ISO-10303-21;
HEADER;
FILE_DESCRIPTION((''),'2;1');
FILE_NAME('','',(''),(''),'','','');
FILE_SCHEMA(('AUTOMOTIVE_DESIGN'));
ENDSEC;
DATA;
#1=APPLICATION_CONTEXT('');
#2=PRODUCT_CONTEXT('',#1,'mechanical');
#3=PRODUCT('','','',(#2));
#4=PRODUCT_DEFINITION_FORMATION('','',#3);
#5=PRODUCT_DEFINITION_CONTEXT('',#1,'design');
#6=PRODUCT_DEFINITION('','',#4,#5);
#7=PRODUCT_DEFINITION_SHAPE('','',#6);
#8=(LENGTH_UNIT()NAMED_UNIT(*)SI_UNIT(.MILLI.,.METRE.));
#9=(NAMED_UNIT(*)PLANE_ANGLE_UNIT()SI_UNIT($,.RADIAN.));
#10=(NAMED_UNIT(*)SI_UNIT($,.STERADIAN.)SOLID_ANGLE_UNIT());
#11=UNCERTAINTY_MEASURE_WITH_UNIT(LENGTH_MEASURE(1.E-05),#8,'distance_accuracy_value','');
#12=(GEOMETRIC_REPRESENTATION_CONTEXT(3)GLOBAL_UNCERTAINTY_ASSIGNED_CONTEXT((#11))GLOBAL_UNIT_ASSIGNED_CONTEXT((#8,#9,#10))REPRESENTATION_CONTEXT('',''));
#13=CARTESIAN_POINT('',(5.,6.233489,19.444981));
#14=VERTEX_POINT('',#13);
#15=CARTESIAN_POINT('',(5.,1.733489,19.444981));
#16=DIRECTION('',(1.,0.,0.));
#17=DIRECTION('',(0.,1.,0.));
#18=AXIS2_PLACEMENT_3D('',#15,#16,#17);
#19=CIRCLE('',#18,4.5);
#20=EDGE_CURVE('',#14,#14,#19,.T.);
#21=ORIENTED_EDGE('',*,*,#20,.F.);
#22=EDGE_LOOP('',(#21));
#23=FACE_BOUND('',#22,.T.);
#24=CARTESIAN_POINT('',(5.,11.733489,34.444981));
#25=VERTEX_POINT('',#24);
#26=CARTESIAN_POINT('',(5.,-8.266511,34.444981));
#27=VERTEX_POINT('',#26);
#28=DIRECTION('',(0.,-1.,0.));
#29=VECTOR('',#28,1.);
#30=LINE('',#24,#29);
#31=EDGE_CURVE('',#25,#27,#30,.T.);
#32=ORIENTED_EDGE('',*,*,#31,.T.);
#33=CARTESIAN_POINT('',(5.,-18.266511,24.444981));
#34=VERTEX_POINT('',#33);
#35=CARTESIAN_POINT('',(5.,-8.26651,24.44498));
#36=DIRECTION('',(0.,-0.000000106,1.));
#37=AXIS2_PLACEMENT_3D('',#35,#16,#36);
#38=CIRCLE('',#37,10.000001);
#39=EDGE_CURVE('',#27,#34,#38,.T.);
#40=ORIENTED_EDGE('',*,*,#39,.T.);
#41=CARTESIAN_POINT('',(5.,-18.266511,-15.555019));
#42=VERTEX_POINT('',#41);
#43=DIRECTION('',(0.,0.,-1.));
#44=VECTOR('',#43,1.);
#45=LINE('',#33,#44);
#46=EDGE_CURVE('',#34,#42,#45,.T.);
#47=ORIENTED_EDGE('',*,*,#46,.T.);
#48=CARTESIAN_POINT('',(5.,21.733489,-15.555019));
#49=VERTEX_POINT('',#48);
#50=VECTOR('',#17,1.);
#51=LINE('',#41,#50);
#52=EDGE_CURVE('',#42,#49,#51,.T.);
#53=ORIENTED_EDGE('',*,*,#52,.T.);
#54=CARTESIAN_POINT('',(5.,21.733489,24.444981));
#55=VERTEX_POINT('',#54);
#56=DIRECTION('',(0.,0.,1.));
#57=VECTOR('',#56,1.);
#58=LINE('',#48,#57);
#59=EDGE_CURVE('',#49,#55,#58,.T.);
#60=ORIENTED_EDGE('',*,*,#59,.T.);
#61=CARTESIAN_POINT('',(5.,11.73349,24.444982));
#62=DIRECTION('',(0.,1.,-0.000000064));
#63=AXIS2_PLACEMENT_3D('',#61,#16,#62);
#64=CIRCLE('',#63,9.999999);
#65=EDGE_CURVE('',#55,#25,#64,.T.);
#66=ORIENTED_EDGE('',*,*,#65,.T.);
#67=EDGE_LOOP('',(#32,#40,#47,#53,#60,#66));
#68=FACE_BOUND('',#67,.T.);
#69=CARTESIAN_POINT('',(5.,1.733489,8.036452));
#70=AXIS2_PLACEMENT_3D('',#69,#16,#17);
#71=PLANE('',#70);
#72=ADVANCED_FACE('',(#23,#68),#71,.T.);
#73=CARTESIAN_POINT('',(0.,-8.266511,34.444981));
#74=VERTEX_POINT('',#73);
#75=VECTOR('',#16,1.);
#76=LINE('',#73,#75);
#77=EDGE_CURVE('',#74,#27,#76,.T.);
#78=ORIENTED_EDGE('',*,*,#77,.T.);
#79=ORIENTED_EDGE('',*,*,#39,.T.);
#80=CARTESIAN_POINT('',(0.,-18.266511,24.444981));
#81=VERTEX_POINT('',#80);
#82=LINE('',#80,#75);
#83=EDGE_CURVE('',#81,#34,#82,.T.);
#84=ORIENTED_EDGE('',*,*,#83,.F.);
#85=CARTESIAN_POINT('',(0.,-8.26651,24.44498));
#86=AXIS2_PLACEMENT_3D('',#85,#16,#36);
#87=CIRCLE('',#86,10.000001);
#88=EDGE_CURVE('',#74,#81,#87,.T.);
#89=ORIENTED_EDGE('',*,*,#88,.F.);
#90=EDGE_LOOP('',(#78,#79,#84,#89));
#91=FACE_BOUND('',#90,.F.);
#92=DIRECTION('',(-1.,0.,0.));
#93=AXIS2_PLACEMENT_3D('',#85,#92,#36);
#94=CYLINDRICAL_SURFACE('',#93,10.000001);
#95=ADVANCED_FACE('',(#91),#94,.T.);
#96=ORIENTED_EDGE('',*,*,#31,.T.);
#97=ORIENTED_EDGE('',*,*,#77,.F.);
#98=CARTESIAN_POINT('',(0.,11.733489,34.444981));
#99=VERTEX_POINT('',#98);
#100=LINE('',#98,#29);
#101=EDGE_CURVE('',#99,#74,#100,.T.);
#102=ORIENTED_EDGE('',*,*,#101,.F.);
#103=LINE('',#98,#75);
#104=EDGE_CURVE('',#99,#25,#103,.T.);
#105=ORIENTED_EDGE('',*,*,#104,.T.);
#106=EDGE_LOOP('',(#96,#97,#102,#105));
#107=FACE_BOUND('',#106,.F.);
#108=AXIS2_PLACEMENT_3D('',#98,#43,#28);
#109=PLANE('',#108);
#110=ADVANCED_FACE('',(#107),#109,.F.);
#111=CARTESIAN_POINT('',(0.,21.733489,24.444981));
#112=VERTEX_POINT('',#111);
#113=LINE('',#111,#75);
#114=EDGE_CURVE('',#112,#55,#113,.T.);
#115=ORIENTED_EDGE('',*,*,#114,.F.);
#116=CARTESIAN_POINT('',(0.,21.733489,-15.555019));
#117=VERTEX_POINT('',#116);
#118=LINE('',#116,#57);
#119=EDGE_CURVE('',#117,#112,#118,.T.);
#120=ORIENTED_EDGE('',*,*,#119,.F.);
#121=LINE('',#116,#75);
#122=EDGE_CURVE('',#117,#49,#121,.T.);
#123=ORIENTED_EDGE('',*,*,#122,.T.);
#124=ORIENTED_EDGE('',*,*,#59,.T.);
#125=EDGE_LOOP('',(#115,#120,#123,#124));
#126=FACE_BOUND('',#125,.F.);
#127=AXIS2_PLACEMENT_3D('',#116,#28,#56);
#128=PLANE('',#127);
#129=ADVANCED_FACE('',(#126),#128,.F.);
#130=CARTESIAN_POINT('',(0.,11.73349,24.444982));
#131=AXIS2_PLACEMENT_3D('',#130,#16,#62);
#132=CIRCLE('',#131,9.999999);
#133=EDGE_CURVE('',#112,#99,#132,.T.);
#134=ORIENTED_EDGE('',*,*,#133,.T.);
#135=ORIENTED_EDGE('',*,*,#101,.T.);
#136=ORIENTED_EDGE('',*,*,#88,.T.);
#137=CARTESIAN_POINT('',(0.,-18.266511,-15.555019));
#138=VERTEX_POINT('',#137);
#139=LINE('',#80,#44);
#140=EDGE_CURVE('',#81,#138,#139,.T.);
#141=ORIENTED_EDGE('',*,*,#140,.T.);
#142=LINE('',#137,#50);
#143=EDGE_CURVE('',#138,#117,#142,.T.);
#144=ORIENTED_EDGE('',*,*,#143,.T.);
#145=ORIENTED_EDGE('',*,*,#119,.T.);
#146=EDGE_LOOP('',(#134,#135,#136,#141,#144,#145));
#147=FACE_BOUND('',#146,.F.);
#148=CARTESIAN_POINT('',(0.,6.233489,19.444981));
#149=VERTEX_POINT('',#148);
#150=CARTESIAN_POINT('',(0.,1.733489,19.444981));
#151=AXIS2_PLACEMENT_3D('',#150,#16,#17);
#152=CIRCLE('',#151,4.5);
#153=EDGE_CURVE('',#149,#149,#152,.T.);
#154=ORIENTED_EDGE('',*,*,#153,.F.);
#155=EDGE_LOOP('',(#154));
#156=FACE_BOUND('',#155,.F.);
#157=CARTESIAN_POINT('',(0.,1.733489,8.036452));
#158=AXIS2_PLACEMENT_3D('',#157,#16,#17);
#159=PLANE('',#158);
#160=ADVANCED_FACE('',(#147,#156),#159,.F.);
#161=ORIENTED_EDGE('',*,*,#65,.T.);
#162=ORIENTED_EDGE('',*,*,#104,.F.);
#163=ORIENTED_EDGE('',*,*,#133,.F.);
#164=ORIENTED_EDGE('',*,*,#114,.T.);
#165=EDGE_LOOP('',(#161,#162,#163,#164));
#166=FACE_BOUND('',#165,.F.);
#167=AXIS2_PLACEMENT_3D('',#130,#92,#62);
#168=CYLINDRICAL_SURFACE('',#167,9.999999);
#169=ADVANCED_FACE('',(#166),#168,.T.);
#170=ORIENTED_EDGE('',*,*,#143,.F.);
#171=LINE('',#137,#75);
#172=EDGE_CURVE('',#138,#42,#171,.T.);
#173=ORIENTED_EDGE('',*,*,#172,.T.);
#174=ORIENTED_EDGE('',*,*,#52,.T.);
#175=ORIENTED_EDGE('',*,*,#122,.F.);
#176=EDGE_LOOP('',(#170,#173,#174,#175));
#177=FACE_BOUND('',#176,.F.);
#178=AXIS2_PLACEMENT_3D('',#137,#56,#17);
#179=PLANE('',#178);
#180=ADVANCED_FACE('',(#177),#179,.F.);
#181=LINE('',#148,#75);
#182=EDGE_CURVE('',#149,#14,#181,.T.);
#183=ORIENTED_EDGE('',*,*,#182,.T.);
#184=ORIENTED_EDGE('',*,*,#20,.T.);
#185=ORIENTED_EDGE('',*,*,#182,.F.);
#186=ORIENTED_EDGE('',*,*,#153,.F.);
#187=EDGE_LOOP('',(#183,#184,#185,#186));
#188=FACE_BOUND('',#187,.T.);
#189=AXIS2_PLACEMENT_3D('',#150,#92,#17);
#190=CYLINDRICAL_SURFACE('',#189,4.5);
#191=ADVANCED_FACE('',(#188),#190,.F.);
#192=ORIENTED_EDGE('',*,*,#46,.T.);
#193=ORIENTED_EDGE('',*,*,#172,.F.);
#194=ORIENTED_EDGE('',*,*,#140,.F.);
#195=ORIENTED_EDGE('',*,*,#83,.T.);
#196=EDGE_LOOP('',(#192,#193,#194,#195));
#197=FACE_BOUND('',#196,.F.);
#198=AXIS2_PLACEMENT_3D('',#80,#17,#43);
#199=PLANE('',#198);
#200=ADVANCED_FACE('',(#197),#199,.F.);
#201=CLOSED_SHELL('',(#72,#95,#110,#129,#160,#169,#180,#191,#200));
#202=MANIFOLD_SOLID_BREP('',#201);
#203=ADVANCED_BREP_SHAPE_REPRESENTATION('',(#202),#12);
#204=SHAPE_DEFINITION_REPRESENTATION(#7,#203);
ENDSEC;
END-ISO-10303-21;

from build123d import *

# Parameters (mm, degrees)
F0_R     = 4.5
F1_DEPTH = 5


with BuildPart() as f1:
    # F0 (on Right) → F1 (new body)
    with BuildSketch(Plane.YZ):
        with BuildLine():
            Line((11.733489, 34.444981), (-8.266511, 34.444981))
            ThreePointArc((-8.266511, 34.444981), (-15.337578, 31.516049), (-18.266511, 24.444981))
            Line((-18.266511, 24.444981), (-18.266511, -15.555019))
            Line((-18.266511, -15.555019), (21.733489, -15.555019))
            Line((21.733489, -15.555019), (21.733489, 24.444981))
            ThreePointArc((21.733489, 24.444981), (18.804557, 31.516049), (11.733489, 34.444981))
        make_face()
        with Locations((1.733489, 19.444981)):
            Circle(F0_R, mode=Mode.SUBTRACT)
    extrude(amount=F1_DEPTH)


solid = f1.part
